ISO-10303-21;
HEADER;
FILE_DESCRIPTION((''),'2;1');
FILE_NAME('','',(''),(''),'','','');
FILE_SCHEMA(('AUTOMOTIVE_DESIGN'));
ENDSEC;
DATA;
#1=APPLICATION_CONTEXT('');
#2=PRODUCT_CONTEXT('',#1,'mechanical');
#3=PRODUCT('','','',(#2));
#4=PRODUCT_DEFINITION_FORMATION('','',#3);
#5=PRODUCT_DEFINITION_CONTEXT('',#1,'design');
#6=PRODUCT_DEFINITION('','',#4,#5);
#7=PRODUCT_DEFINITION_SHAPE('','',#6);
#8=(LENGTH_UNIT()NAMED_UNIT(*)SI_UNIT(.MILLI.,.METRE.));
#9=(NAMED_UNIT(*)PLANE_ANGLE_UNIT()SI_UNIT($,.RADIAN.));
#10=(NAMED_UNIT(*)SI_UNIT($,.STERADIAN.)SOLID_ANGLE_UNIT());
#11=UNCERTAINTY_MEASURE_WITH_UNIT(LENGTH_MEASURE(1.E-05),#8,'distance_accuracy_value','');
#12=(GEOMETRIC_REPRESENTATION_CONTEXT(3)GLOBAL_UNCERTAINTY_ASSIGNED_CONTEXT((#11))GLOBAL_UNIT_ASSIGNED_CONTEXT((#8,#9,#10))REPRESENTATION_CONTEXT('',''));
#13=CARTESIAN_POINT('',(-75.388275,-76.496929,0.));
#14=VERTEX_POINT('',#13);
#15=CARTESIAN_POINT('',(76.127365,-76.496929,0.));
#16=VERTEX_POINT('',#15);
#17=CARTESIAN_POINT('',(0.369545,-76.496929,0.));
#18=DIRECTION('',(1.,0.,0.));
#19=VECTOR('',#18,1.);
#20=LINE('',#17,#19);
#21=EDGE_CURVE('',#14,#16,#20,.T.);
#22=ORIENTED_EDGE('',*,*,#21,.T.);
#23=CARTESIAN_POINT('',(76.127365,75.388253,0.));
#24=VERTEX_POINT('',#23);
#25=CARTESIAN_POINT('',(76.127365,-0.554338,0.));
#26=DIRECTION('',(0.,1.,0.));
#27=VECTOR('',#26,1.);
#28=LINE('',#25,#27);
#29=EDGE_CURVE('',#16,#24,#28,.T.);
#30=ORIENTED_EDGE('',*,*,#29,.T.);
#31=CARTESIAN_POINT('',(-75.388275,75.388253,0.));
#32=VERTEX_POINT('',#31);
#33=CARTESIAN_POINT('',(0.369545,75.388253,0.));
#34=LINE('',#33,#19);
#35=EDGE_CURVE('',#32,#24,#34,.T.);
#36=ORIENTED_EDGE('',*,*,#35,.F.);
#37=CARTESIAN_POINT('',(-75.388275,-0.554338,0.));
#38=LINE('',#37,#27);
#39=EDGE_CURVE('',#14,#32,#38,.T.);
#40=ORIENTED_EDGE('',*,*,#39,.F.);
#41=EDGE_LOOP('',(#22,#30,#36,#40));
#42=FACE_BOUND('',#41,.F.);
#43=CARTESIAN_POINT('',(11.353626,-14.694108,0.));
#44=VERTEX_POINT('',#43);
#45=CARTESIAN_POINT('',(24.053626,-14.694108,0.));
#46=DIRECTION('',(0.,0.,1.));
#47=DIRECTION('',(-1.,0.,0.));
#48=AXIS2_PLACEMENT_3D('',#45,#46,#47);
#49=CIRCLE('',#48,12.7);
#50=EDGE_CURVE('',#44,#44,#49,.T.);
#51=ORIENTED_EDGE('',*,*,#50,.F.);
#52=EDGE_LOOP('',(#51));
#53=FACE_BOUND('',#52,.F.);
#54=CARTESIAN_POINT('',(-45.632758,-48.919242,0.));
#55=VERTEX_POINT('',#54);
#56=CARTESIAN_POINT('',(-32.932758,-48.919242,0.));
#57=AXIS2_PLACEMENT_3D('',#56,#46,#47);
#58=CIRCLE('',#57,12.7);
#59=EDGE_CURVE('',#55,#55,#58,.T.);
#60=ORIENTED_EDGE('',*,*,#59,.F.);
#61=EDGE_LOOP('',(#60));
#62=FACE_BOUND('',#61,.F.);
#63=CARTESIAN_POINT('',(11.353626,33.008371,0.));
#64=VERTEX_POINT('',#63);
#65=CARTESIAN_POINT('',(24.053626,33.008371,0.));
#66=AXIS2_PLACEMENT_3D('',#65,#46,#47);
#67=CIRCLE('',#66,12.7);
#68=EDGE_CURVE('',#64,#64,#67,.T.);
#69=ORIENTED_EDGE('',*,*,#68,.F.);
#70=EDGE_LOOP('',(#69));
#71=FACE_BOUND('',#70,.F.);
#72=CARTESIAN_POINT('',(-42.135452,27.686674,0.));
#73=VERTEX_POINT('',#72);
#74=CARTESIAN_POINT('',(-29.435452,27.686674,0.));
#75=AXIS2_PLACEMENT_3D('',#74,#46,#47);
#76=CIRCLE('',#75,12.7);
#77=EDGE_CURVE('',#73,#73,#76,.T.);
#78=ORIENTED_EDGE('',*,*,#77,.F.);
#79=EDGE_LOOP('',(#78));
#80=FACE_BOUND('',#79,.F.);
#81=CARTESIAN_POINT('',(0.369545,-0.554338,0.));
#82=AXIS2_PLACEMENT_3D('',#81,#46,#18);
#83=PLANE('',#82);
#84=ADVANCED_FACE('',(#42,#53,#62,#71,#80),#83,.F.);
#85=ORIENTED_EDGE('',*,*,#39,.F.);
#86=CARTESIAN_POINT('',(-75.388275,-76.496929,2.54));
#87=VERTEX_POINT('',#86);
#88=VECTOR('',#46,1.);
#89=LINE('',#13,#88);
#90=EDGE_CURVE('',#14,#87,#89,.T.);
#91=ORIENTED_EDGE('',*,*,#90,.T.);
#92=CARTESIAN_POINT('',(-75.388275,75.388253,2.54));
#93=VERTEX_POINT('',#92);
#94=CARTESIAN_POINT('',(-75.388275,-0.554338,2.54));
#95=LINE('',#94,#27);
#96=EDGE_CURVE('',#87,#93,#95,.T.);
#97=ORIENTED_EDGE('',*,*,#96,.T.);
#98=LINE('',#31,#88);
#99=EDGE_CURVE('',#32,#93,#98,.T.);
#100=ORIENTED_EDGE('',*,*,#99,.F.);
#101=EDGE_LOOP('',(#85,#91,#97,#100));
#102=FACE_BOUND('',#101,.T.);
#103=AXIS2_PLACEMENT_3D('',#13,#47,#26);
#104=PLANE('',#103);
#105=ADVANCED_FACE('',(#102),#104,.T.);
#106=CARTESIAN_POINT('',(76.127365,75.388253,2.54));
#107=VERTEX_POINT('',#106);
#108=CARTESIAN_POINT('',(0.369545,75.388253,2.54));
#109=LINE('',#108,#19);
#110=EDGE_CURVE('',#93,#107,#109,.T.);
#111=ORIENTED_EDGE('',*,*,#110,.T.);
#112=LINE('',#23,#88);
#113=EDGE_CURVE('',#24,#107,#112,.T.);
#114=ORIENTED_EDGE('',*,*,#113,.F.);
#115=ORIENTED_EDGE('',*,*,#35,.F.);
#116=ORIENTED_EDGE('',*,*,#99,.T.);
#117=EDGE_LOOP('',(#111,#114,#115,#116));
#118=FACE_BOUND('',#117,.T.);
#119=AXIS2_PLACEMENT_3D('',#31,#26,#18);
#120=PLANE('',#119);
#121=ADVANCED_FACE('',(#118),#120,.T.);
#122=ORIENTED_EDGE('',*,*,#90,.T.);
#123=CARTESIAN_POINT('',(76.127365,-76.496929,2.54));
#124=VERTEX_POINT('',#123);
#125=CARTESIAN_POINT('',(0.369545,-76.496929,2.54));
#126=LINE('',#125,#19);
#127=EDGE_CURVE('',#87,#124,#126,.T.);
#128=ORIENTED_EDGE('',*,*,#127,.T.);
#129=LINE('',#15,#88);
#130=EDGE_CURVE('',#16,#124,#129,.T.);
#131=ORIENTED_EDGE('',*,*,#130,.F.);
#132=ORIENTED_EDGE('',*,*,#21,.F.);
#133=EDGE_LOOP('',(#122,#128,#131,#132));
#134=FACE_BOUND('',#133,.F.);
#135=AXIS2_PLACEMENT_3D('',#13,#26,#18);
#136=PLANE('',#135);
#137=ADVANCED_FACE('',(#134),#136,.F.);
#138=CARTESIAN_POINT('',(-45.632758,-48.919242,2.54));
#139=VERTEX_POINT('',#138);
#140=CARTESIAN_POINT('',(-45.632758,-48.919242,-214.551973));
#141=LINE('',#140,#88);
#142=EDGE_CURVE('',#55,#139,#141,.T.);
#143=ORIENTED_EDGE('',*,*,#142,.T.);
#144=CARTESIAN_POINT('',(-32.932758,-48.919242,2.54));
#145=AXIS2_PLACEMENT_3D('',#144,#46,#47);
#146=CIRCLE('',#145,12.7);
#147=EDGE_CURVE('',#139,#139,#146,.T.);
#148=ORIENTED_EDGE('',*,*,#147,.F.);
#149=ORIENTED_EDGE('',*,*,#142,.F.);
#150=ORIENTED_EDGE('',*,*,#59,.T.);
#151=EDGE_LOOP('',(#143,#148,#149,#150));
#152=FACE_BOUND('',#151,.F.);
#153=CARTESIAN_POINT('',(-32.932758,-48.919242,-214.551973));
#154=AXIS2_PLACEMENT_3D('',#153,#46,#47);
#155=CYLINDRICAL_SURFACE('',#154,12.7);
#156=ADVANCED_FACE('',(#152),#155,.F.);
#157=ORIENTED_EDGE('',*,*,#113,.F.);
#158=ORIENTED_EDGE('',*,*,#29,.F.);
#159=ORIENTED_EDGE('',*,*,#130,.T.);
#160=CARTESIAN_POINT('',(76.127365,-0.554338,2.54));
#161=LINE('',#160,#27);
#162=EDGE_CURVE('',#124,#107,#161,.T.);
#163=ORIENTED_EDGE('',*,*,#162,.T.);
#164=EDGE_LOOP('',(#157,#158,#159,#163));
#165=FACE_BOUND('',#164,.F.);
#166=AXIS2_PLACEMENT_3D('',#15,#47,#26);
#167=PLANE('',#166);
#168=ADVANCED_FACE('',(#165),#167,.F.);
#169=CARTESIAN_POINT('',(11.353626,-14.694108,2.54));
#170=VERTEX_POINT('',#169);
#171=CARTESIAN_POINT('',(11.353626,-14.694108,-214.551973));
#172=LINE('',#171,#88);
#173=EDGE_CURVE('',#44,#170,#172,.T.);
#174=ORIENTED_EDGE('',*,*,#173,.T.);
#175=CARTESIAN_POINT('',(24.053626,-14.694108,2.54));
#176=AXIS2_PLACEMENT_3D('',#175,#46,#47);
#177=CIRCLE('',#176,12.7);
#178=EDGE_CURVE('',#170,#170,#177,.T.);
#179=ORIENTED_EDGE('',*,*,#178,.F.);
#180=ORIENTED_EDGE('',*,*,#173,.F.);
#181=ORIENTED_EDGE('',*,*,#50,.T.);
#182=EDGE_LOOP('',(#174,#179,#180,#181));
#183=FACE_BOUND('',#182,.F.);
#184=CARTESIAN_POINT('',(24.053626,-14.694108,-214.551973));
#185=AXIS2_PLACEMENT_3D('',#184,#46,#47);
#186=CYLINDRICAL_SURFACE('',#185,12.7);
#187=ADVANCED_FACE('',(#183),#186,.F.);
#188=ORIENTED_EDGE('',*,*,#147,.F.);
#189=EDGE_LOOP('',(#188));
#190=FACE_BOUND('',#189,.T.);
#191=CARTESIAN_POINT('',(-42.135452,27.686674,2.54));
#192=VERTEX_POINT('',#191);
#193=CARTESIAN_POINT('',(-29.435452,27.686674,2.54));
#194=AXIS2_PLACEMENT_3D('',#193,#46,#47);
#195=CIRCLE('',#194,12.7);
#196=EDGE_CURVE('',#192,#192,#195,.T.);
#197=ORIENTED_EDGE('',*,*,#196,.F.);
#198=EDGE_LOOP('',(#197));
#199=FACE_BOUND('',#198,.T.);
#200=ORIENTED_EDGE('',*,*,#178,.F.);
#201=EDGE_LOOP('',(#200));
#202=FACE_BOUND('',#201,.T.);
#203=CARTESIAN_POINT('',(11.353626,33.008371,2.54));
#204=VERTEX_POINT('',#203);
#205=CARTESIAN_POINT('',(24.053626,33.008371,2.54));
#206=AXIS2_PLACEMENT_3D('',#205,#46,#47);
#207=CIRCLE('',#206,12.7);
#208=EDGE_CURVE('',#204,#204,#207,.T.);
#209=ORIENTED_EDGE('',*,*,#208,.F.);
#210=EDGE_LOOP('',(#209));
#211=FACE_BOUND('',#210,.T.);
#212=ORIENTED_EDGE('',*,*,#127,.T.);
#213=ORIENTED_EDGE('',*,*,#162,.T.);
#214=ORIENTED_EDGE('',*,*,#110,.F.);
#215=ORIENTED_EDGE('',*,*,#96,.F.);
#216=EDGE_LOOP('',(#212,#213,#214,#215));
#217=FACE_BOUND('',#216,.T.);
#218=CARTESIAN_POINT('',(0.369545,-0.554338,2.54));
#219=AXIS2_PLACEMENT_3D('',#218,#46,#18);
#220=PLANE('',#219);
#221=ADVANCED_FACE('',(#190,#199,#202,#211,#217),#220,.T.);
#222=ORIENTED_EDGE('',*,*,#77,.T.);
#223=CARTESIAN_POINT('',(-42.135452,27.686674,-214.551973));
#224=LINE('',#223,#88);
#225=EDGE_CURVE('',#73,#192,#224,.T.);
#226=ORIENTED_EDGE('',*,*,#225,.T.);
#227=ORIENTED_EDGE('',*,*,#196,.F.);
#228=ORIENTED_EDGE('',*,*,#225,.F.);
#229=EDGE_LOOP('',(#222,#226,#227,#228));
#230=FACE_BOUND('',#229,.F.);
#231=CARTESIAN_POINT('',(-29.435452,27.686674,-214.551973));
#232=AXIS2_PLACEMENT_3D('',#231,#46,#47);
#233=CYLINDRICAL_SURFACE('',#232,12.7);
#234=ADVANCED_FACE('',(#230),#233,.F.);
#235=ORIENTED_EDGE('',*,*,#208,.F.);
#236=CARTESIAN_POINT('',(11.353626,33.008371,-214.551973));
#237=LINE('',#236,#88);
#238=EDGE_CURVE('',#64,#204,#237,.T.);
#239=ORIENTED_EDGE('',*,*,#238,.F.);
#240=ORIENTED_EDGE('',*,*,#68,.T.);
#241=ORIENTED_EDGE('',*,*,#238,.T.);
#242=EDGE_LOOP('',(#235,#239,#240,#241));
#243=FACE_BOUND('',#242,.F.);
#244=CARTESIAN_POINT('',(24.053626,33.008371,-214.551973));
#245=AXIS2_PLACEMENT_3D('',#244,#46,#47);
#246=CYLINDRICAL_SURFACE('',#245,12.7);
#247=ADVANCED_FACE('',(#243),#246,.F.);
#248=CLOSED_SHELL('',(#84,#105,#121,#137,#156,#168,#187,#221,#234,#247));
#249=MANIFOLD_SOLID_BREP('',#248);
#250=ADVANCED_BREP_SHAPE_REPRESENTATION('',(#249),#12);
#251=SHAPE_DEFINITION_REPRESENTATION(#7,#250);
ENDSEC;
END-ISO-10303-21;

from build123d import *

# Parameters (mm, degrees)
F0_W     = 151.5156403184
F0_H     = 151.8851816654
F1_DEPTH = 2.54
F3_D     = 25.4


with BuildPart() as f1:
    # F0 (on Top) → F1 (new body)
    with BuildSketch(Plane.XY):
        with Locations((0.3695450723, -0.5543380976)):
            Rectangle(F0_W, F0_H)
    extrude(amount=F1_DEPTH)

    # F3 (through all)
    with Locations(Plane(origin=(0, 0, 0), x_dir=(1, 0, 0), z_dir=(0, 0, -1))):
        with Locations((-29.4354520738, -27.6866741478), (24.0536257625, -33.0083705485), (24.0536257625, 14.6941076964), (-32.9327583313, 48.9192418754)):
            Hole(F3_D / 2)


solid = f1.part
